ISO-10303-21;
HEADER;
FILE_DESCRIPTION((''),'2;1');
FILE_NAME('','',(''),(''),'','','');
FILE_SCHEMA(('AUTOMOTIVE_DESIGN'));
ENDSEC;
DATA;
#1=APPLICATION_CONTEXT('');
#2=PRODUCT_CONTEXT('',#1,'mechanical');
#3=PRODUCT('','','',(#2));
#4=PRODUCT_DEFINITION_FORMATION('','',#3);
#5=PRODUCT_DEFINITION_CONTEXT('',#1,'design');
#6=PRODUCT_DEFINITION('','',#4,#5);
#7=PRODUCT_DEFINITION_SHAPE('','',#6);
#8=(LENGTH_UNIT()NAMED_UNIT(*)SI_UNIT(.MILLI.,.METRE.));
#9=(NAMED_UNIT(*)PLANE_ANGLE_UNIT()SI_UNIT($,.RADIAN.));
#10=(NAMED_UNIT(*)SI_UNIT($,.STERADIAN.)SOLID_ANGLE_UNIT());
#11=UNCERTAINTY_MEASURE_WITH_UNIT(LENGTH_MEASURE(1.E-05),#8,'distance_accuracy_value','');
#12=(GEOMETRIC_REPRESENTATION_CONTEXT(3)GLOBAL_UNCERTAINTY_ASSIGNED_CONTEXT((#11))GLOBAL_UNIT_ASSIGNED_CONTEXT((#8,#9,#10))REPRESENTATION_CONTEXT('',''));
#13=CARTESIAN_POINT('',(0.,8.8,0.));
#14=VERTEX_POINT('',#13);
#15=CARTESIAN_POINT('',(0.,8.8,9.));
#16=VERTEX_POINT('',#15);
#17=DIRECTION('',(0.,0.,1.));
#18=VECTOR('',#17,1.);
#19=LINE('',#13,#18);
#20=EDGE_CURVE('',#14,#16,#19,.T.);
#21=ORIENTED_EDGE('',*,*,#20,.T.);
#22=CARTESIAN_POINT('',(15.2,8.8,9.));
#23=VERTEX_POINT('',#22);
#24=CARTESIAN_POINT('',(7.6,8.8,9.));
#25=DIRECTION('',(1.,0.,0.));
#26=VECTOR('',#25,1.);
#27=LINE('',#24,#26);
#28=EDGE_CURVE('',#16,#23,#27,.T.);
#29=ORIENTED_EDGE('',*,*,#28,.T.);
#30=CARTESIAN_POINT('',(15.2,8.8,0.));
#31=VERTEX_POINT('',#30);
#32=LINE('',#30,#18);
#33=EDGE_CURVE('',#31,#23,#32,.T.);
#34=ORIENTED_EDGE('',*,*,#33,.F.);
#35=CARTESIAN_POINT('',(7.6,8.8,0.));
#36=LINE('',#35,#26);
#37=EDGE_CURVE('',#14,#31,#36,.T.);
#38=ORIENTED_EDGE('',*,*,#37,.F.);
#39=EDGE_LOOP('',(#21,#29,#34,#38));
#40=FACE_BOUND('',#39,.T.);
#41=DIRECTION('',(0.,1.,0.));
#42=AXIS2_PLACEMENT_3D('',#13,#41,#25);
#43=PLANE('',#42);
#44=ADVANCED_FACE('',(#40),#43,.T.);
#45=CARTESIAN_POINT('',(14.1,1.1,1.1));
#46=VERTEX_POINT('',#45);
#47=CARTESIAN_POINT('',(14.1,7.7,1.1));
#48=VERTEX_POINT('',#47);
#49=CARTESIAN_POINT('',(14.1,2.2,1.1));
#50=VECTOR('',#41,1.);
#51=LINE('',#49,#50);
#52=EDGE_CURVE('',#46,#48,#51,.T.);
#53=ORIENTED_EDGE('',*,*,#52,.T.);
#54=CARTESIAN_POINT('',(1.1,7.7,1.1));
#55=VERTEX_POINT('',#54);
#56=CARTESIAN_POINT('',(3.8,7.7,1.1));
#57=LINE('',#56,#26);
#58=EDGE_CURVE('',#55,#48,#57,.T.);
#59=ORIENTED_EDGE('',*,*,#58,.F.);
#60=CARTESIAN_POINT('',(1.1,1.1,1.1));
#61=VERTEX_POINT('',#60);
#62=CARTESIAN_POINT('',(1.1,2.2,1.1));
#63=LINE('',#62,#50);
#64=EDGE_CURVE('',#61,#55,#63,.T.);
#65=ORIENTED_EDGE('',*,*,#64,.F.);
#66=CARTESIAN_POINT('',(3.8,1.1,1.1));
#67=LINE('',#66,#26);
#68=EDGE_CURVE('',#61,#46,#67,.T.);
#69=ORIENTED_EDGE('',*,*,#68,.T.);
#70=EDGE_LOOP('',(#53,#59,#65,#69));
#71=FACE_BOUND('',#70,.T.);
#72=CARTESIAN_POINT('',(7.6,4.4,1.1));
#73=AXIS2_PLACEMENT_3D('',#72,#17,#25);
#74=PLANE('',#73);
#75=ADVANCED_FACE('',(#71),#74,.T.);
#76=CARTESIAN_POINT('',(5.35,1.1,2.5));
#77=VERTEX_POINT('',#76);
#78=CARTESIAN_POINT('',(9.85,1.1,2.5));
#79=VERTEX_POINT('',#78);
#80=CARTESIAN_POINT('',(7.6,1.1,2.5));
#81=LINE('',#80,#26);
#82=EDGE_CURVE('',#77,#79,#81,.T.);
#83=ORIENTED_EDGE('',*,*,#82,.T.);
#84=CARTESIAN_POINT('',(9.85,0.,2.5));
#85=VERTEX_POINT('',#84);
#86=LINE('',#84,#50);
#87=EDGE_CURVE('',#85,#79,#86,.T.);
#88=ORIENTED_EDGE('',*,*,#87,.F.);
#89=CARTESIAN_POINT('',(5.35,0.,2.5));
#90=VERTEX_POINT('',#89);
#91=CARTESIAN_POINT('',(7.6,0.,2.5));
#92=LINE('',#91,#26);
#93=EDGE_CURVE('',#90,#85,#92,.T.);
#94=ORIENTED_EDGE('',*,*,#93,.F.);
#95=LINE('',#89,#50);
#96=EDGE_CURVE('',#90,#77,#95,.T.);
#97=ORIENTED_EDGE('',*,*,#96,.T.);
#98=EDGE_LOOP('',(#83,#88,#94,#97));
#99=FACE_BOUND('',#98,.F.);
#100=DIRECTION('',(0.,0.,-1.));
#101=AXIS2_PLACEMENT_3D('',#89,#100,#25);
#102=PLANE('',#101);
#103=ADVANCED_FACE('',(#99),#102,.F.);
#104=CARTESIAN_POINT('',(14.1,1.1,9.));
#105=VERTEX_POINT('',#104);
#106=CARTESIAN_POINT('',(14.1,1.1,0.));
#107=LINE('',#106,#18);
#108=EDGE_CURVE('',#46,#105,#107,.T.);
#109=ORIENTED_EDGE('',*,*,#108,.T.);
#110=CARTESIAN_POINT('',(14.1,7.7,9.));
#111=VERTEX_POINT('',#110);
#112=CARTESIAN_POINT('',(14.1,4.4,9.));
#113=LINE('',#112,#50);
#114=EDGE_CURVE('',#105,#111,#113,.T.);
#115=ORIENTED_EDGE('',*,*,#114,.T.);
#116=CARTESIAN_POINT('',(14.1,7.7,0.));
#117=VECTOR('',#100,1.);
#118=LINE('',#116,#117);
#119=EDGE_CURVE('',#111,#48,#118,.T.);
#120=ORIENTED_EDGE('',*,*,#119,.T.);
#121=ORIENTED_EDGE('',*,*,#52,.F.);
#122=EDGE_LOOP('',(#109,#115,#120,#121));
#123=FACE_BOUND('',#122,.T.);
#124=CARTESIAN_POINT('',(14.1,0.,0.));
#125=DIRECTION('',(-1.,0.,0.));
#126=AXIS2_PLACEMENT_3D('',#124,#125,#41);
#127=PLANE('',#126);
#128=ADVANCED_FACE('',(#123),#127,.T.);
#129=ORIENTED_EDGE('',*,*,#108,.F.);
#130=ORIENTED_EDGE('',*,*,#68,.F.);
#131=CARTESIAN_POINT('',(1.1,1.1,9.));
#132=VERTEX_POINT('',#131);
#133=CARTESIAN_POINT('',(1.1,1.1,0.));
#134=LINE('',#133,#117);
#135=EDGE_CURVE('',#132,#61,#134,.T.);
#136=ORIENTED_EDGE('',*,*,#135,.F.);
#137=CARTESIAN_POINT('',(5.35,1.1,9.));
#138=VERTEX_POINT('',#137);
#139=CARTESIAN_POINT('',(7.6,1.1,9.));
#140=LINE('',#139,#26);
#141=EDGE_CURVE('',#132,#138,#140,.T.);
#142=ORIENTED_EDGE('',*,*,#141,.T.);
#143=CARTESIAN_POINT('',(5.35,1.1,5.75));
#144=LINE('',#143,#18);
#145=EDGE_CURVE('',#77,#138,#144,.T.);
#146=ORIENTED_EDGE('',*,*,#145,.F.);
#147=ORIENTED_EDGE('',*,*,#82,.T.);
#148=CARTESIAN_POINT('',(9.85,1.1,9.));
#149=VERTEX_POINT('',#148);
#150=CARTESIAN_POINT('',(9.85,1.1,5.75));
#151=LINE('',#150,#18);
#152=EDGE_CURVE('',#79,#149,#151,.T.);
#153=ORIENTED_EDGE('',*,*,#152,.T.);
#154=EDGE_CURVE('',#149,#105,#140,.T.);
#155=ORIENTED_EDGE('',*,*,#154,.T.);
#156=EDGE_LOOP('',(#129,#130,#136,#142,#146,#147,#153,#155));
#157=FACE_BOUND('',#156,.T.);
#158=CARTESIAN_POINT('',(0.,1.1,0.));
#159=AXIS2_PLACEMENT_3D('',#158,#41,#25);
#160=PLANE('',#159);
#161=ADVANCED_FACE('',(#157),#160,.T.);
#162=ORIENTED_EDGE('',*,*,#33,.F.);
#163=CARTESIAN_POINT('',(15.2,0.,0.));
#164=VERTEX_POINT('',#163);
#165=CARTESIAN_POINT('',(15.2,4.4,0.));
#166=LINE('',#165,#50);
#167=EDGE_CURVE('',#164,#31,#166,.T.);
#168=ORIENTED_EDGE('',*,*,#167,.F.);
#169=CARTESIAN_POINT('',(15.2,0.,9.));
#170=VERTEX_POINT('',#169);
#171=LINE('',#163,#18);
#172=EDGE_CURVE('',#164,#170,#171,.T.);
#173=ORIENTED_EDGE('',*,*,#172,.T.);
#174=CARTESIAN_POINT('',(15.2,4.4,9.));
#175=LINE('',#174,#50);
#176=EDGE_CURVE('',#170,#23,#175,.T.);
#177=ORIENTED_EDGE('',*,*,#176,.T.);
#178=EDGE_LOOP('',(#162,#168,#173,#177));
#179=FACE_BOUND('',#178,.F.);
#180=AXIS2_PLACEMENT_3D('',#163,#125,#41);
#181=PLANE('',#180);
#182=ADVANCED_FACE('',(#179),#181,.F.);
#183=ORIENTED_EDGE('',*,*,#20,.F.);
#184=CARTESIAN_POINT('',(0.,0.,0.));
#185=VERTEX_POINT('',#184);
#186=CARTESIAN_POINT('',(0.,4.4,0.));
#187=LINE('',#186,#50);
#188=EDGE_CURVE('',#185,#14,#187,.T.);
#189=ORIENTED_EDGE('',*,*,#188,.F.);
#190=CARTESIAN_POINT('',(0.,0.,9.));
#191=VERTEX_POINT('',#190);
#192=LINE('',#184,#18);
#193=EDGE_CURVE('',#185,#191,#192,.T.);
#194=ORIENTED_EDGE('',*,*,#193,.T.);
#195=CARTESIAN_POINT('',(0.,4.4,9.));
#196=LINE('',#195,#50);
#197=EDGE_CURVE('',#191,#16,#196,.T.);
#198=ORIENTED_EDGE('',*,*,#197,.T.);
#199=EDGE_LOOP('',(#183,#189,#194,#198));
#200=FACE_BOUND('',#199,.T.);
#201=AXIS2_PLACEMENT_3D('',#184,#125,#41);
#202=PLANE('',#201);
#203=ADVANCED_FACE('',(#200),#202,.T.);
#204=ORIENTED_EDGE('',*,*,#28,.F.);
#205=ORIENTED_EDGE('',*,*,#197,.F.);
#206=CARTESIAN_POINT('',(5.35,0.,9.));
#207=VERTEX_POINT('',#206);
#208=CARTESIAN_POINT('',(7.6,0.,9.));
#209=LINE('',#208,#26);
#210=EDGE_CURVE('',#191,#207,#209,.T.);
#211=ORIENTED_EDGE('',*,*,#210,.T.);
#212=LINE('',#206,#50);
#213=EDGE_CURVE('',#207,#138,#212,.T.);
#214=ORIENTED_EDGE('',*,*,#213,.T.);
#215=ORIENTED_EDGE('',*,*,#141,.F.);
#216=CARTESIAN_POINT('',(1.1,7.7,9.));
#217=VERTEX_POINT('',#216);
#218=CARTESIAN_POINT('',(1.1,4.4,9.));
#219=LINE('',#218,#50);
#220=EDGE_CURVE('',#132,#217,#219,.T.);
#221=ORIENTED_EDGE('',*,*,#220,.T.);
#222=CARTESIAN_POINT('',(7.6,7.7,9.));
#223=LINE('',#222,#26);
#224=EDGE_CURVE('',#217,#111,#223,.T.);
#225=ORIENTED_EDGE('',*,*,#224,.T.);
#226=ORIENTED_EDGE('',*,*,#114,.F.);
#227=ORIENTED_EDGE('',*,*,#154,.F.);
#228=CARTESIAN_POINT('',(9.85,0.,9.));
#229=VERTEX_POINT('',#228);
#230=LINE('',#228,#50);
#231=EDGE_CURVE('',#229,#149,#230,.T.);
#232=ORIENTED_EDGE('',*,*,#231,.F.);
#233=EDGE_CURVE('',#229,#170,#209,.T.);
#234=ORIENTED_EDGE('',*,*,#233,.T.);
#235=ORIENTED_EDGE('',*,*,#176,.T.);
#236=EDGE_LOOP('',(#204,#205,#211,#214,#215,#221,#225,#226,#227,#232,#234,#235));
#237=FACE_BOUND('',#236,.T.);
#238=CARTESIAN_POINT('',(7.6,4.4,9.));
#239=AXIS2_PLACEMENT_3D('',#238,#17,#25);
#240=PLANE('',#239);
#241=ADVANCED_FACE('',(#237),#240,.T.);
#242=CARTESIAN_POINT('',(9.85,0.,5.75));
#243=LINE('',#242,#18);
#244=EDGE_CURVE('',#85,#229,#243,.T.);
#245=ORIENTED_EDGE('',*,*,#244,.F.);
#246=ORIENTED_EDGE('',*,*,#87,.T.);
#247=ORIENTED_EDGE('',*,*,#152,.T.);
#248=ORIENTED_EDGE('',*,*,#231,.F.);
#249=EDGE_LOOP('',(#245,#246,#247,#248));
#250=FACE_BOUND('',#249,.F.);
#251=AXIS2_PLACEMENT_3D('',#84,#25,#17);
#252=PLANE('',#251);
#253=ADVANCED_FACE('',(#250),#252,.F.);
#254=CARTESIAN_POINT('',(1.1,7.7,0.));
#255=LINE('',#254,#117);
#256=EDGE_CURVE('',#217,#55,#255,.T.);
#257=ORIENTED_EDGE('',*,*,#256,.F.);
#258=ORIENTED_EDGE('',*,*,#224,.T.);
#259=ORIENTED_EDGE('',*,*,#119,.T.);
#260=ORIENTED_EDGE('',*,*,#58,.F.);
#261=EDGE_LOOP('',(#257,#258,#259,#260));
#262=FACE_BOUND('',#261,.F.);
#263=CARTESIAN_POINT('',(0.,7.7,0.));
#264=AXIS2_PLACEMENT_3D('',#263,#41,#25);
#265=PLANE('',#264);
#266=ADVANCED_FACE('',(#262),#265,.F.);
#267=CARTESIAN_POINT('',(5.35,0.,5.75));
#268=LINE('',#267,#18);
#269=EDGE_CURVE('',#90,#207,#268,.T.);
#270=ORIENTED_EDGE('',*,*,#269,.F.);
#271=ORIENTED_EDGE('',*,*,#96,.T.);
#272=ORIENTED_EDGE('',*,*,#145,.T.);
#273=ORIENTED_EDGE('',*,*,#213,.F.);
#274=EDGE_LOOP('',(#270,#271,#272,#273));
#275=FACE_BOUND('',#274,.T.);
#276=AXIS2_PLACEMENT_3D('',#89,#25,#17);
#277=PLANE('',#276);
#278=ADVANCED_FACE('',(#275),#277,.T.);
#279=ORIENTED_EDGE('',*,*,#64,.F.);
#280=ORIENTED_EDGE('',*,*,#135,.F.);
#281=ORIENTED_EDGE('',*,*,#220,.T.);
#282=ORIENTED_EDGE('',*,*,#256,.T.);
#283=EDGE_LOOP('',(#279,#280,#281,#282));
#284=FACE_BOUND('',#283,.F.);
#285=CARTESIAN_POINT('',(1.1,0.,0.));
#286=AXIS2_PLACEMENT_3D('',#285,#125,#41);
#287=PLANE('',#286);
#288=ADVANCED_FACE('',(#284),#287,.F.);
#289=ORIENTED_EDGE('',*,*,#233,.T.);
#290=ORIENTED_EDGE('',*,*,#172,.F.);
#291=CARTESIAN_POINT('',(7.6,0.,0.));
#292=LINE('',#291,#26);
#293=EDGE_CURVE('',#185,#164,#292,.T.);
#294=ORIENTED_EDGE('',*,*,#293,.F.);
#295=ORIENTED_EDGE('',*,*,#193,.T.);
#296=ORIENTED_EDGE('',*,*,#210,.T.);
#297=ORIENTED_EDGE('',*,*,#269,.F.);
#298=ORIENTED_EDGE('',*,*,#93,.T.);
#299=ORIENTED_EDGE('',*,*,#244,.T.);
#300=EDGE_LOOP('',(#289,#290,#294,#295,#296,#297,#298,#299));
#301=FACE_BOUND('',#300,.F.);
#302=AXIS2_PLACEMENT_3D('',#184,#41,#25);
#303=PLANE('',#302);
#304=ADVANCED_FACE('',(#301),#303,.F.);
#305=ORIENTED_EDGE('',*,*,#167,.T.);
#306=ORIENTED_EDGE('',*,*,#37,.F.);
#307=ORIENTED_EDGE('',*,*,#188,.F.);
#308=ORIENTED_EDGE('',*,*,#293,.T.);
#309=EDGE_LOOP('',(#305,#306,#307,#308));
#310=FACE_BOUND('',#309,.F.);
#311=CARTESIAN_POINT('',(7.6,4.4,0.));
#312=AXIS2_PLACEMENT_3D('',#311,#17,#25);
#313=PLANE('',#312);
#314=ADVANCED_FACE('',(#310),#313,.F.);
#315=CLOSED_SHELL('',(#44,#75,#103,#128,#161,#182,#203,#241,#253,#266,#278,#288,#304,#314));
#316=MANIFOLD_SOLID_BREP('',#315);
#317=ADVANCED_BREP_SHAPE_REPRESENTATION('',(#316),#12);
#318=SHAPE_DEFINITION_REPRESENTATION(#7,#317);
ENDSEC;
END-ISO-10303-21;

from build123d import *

# Parameters (mm, degrees)
F0_W     = 15.2
F0_H     = 8.8
F1_DEPTH = 9
F2_T     = -1.1
F3_W     = 4.5
F3_H     = 6.5
F4_DEPTH = 1.1


with BuildPart() as f1:
    # F0 (on Top) → F1 (new body)
    with BuildSketch(Plane.XY):
        with Locations((7.6, 4.4)):
            Rectangle(F0_W, F0_H)
    extrude(amount=F1_DEPTH)

    # F2
    f2_openings = [f1.faces().sort_by_distance(p)[0] for p in [
        (7.6, 4.4, 9),
    ]]
    offset(amount=F2_T, openings=f2_openings)

    # F3 (on face) → F4 (cut, through all)
    with BuildSketch(Plane.XZ):
        with Locations((7.6, 5.75)):
            Rectangle(F3_W, F3_H)
    extrude(amount=-F4_DEPTH, mode=Mode.SUBTRACT)


solid = f1.part
